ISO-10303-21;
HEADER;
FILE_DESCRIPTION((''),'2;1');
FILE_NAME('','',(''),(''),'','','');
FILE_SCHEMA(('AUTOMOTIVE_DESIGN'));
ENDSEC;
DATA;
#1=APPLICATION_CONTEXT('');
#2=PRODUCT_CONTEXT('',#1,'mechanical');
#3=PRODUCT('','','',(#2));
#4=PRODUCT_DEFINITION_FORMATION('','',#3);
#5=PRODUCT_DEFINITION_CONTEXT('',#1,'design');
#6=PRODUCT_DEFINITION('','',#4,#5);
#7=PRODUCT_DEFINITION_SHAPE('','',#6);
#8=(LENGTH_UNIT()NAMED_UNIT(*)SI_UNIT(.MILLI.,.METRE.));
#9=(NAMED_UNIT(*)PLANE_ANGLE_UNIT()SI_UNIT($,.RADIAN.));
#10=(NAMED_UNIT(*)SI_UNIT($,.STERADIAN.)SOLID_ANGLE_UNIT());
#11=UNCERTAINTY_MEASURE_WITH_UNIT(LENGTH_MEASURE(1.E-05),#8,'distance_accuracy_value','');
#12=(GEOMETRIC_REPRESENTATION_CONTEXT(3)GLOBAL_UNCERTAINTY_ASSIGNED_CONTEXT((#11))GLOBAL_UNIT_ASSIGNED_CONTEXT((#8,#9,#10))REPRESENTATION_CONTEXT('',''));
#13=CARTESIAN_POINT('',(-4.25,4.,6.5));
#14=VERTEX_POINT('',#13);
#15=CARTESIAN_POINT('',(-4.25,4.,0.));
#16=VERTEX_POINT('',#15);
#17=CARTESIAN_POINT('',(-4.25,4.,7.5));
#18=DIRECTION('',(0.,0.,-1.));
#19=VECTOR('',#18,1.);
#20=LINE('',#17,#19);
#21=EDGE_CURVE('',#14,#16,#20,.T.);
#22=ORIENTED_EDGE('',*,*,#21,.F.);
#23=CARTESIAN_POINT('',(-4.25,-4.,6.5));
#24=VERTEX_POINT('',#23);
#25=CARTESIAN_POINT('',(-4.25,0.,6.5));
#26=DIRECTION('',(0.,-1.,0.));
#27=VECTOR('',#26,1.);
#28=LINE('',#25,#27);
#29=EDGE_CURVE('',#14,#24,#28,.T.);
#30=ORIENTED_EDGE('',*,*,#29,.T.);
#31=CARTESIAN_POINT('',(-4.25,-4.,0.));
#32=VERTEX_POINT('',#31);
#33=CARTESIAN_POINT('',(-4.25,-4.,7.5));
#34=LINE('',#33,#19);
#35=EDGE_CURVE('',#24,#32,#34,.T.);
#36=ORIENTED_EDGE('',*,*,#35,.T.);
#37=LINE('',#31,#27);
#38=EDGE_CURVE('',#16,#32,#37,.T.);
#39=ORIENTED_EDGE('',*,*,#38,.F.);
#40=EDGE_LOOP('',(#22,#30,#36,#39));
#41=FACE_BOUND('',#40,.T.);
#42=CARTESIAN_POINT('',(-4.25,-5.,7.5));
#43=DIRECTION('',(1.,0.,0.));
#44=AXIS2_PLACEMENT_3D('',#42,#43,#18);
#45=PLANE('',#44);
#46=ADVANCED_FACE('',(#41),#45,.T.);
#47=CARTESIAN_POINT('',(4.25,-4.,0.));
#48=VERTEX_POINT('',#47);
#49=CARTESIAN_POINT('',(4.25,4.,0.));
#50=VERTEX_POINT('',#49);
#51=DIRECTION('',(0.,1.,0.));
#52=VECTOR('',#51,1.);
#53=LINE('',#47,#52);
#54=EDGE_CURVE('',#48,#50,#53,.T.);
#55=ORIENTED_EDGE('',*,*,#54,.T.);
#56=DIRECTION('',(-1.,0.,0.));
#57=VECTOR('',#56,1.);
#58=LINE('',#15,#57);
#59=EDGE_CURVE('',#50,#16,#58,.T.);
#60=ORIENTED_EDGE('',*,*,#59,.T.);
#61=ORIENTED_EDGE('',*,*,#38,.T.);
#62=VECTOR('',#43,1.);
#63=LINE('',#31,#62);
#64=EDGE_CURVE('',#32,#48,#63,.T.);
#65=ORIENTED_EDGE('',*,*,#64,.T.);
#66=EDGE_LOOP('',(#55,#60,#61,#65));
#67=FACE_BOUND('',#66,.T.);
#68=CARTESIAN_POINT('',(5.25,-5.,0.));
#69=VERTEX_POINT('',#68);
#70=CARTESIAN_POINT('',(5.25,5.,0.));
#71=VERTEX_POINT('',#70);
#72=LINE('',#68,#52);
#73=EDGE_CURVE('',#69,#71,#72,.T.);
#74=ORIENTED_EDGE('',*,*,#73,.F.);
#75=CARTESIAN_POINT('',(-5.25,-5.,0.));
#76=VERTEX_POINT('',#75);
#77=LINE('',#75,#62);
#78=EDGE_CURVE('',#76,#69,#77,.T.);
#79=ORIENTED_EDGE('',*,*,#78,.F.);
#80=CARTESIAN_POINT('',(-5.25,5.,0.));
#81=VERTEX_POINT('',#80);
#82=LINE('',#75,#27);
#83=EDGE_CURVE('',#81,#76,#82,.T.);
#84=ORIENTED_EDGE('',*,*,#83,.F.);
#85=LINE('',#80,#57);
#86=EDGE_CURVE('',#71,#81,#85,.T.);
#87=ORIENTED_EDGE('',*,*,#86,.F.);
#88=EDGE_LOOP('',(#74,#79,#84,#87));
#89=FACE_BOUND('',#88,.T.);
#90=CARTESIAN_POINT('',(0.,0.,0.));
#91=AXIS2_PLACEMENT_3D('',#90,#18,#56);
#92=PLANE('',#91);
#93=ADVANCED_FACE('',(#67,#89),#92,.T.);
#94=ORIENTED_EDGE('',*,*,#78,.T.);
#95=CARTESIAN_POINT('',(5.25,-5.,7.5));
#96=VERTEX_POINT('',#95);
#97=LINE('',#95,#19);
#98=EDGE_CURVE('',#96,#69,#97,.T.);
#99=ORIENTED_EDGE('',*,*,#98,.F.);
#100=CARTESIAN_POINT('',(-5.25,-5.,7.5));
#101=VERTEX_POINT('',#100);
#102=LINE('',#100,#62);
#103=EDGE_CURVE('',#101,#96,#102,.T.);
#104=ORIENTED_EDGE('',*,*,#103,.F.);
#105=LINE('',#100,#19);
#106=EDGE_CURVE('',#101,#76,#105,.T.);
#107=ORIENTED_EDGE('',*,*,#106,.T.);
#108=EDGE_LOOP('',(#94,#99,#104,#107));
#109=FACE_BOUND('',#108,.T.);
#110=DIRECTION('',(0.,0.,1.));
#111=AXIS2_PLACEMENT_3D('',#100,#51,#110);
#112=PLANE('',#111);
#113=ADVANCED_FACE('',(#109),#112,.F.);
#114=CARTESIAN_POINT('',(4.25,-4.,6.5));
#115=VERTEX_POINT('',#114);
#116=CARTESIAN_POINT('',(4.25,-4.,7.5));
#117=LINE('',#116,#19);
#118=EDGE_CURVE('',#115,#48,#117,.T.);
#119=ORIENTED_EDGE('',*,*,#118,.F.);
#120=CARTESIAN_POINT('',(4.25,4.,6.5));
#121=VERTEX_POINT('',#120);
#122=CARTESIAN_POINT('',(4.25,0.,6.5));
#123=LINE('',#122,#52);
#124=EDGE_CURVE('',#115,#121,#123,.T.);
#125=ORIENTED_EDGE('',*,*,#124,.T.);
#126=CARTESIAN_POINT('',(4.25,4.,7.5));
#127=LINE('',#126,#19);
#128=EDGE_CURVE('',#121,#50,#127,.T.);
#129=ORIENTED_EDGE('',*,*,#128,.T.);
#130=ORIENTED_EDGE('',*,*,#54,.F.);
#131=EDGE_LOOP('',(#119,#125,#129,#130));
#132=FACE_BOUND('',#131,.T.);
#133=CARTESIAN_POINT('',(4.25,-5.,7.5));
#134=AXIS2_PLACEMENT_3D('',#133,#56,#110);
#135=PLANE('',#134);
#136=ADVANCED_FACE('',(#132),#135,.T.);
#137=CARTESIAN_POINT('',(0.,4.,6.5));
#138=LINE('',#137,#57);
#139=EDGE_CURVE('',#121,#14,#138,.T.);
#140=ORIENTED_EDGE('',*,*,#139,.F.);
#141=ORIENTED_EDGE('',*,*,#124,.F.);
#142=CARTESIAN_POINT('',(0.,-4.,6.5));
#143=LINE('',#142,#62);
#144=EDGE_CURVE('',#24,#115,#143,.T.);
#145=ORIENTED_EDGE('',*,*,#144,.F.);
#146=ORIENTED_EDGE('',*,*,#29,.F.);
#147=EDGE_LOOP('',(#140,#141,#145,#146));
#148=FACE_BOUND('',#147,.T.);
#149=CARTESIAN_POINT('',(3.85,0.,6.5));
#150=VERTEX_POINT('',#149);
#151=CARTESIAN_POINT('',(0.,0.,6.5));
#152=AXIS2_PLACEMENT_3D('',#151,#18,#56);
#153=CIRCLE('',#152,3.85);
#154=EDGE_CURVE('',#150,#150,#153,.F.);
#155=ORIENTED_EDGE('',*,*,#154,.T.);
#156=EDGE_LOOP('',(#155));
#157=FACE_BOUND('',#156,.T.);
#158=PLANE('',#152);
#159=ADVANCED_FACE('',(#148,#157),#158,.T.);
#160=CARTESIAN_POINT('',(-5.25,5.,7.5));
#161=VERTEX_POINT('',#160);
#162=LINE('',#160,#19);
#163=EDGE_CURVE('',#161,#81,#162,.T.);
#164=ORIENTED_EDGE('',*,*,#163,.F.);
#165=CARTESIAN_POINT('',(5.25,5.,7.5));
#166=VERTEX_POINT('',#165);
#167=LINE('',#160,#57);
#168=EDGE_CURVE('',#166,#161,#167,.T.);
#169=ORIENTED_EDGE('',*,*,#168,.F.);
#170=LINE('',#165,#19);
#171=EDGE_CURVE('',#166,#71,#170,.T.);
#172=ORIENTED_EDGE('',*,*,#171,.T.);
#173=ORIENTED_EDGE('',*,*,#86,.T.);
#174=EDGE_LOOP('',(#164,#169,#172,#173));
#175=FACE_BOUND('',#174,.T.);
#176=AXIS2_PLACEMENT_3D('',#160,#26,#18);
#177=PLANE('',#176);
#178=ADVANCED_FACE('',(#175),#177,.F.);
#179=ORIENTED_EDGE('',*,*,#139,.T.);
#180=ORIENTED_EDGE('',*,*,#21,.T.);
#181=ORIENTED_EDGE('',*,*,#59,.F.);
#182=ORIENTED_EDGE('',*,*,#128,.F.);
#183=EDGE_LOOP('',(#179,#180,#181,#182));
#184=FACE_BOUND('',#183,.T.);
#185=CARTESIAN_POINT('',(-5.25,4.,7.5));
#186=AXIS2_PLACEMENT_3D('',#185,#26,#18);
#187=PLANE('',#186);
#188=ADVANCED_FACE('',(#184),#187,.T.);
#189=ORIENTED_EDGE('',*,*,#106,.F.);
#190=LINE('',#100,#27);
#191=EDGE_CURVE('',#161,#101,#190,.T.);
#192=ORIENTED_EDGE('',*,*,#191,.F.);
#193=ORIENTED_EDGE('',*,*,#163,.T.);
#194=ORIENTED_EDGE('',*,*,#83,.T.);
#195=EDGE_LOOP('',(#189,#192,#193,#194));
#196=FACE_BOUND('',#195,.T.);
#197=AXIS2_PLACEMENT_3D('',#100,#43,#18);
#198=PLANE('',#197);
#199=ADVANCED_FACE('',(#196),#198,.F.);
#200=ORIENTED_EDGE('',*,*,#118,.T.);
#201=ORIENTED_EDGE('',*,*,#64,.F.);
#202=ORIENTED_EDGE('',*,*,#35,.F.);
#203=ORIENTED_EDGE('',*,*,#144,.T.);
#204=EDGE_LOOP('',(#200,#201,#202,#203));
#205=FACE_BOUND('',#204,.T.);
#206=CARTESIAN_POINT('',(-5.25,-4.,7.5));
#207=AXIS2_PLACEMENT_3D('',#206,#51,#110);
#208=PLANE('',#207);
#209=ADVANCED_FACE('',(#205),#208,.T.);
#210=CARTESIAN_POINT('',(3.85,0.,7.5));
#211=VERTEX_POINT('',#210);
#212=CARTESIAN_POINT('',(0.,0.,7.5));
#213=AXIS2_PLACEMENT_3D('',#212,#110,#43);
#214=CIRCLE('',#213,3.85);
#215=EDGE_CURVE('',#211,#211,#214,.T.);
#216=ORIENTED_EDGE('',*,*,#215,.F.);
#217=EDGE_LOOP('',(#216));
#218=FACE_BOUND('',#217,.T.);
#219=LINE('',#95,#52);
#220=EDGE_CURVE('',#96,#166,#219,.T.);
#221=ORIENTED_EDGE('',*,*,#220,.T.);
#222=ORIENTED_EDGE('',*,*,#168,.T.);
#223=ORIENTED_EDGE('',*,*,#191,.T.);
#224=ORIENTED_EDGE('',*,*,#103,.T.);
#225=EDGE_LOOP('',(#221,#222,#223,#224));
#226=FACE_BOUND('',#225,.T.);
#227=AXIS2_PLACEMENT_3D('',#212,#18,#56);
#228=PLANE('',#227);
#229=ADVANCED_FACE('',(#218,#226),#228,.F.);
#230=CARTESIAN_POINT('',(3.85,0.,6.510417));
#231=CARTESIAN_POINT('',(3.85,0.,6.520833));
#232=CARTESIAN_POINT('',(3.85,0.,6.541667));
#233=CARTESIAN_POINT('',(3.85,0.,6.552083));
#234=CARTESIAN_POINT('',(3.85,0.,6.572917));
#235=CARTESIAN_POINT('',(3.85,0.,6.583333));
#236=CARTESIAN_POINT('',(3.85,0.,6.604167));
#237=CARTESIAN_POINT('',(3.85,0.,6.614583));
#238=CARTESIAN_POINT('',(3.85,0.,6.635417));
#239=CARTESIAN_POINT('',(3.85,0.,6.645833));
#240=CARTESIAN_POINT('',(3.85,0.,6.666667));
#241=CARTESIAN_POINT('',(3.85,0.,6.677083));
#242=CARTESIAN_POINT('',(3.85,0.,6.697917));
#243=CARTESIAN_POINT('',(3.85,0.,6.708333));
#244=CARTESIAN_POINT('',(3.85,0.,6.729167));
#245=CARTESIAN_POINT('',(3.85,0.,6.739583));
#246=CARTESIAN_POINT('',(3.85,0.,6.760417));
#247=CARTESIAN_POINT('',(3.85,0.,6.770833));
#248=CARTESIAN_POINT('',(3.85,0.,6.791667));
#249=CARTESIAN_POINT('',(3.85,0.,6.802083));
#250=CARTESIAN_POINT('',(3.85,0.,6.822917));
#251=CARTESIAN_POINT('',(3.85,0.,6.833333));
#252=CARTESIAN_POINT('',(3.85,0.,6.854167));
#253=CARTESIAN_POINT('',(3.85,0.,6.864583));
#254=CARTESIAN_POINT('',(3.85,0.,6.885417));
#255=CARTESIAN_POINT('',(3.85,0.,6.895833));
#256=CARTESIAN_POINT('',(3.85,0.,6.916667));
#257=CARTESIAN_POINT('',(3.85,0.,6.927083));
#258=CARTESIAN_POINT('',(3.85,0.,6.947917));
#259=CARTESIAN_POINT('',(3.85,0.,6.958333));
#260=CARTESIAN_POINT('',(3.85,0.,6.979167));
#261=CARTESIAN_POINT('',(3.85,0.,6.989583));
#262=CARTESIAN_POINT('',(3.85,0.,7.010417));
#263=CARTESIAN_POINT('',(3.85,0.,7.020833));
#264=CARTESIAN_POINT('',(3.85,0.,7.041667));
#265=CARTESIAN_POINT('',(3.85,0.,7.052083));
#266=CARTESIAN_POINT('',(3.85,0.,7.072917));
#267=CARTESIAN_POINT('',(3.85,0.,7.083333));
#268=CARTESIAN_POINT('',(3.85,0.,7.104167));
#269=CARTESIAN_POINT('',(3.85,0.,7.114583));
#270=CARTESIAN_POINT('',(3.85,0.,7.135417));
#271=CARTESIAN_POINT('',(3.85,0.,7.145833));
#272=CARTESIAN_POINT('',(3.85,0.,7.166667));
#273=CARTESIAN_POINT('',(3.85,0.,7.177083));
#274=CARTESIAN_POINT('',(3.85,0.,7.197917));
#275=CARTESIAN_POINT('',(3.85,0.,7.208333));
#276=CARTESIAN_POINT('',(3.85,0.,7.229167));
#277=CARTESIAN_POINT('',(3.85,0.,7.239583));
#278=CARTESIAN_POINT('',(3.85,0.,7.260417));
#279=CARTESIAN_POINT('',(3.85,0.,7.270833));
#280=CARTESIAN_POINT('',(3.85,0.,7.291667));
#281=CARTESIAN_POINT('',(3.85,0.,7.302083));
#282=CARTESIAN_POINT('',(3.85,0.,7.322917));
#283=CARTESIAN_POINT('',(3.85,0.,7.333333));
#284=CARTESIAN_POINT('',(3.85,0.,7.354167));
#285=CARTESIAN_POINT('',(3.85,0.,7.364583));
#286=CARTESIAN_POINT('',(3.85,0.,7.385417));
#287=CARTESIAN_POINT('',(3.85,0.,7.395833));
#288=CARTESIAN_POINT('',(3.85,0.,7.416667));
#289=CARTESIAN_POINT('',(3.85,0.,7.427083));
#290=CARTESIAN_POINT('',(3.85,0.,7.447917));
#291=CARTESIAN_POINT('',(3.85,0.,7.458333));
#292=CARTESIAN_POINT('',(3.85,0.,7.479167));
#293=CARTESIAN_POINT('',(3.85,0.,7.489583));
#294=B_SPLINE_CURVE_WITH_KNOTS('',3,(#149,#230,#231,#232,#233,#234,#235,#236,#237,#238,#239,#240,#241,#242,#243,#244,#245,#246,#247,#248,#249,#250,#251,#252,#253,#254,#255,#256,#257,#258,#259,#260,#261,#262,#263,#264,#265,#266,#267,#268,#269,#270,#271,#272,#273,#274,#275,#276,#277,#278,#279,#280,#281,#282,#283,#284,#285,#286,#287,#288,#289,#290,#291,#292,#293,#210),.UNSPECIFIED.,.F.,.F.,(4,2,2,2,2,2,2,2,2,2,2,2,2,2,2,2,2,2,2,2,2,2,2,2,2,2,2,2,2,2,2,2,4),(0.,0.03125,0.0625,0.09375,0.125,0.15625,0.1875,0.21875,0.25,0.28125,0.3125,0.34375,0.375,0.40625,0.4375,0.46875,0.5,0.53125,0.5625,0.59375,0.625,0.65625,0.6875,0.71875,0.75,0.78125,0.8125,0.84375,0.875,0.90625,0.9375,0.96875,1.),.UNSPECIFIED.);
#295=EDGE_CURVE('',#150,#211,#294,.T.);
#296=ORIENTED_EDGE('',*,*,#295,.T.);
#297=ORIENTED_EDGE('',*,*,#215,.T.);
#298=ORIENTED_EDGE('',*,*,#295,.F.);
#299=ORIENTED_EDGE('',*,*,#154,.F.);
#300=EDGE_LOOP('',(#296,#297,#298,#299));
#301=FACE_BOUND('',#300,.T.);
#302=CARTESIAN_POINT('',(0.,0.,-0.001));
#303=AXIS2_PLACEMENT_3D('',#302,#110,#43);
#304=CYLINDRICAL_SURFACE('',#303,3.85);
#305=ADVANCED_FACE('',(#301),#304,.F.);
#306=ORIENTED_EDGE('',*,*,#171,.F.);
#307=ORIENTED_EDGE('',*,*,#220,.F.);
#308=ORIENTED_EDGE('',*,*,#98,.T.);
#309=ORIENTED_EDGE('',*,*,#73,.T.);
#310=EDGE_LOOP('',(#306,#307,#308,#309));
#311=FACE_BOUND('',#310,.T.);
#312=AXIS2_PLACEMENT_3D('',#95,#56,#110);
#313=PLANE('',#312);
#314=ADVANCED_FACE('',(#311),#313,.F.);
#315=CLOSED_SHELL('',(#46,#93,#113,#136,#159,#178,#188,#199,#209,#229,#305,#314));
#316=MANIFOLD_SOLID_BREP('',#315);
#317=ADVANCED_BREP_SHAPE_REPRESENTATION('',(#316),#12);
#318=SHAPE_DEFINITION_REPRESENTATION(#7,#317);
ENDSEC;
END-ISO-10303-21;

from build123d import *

# Parameters (mm, degrees)
SKETCH1_W           = 10.5
SKETCH1_H           = 10
BOSS_EXTRUDE1_DEPTH = 7.5
SHELL1_T            = 1
CUT_EXTRUDE1_REACH  = 12.431
SKETCH2_R           = 3.85
SKETCH3_W           = 8.5
SKETCH3_H           = 8
CUT_EXTRUDE2_DEPTH  = 1


with BuildPart() as part:
    # Sketch1 → Boss-Extrude1 (new body)
    with BuildSketch(Plane.XY):
        Rectangle(SKETCH1_W, SKETCH1_H)
    extrude(amount=BOSS_EXTRUDE1_DEPTH)

    # Shell1 (no face opened: a closed hollow body)
    add(offset(amount=-SHELL1_T, mode=Mode.PRIVATE), mode=Mode.SUBTRACT)

    # Sketch2 → Cut-Extrude1 (cut, up to next)
    with BuildSketch(Plane.XY.offset(7.5), mode=Mode.PRIVATE) as cut_extrude1_sk1:
        Circle(SKETCH2_R)
    cut_extrude1_tool1 = extrude(cut_extrude1_sk1.sketch, amount=-CUT_EXTRUDE1_REACH, mode=Mode.PRIVATE) & part.part
    add(cut_extrude1_tool1.solids().sort_by_distance((0, 0, 7.5))[0], mode=Mode.SUBTRACT)

    # Sketch3 → Cut-Extrude2 (cut)
    with BuildSketch(Plane.XY):
        Rectangle(SKETCH3_W, SKETCH3_H)
    extrude(amount=CUT_EXTRUDE2_DEPTH, mode=Mode.SUBTRACT)


solid = part.part
